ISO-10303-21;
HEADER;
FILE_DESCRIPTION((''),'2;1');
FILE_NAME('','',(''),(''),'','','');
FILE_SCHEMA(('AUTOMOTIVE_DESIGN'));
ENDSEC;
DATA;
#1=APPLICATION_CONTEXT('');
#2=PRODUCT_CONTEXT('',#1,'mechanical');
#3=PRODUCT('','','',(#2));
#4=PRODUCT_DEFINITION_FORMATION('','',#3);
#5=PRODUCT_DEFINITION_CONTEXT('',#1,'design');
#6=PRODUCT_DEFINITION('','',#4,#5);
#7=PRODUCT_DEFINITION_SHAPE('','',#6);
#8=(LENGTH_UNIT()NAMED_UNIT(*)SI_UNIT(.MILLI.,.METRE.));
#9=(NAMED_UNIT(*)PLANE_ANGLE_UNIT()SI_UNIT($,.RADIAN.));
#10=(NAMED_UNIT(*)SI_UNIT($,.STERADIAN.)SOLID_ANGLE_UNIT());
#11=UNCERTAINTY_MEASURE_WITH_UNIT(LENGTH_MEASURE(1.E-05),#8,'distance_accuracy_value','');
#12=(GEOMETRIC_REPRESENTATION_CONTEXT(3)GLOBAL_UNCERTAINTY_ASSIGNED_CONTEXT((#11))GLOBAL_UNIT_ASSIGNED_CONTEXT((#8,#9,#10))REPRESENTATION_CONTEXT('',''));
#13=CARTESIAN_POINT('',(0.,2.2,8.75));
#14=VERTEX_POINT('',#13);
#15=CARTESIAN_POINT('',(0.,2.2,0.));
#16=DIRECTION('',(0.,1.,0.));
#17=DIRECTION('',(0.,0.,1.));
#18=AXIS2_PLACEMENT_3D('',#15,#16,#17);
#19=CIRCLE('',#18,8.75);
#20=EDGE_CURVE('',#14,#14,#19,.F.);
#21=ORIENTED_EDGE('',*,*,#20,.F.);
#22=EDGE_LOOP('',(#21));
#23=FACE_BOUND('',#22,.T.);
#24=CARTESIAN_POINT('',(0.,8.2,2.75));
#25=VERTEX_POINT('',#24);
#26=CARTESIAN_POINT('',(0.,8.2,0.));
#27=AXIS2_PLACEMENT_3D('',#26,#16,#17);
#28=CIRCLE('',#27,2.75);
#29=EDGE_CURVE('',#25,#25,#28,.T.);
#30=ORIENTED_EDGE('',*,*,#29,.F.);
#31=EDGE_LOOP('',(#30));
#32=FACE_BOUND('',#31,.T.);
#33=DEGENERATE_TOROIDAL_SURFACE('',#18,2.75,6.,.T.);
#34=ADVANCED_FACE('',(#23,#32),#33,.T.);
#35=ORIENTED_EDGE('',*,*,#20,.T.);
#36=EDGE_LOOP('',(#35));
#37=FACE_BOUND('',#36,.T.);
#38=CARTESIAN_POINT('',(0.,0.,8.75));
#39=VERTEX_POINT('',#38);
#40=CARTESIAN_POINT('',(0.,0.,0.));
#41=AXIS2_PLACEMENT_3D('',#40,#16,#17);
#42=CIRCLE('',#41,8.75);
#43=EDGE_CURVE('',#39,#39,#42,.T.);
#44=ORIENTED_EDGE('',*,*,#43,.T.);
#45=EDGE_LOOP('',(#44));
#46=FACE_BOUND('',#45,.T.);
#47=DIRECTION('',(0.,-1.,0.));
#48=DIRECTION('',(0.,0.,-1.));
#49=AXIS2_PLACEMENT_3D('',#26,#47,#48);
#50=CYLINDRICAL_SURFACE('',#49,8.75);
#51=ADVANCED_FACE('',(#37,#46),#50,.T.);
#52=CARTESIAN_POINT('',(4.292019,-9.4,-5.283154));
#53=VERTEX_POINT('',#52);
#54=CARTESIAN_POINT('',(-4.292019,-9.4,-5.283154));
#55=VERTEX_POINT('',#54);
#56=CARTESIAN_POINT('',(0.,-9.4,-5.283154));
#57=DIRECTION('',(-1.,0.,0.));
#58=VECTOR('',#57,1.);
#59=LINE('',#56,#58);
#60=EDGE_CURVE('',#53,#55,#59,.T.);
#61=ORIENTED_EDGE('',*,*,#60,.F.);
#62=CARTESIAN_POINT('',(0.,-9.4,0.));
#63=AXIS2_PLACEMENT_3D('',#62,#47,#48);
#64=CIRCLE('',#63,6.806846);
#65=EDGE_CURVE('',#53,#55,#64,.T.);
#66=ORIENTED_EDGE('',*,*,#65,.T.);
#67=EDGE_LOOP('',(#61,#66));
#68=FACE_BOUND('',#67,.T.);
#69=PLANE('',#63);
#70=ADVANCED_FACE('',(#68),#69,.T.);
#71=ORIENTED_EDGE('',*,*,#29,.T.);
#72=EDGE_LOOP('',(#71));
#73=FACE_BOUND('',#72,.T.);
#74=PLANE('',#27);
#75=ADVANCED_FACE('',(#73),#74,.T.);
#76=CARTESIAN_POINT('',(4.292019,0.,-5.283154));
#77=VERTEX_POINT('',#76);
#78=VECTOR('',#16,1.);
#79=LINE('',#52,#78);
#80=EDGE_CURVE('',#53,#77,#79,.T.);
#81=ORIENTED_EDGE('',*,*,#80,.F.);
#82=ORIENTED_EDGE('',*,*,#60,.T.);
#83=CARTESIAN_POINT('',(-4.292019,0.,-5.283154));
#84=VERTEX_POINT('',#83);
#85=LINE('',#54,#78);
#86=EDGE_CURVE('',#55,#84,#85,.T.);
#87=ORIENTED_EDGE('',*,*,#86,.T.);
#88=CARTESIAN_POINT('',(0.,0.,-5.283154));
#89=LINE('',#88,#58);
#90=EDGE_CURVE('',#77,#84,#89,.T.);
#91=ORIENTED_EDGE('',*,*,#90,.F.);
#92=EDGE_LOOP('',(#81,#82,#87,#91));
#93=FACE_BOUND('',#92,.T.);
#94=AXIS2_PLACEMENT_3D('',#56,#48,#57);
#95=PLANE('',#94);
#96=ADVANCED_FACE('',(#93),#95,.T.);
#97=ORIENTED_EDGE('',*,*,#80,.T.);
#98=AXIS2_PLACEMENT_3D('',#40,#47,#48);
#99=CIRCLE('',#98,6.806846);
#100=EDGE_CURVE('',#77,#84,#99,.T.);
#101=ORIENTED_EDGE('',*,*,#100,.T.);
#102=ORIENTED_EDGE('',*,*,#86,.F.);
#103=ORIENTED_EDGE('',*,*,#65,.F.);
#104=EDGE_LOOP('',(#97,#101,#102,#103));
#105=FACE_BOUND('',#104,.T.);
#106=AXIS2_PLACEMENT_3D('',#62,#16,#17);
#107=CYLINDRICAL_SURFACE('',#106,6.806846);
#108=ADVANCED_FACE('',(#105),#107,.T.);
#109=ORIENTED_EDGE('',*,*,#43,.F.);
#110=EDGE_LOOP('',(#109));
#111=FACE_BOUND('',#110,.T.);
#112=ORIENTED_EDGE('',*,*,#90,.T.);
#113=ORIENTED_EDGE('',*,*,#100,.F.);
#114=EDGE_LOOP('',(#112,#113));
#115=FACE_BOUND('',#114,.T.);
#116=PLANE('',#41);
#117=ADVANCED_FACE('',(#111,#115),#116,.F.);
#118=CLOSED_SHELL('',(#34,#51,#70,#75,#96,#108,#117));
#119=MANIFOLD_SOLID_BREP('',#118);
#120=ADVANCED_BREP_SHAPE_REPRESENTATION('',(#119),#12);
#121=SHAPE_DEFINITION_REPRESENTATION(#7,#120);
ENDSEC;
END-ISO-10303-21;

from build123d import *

# Parameters (mm, degrees)
SKETCH1_R           = 8.75
BOSS_EXTRUDE1_DEPTH = 8.2
FILLET1_R           = 6
BOSS_EXTRUDE2_DEPTH = 9.4


with BuildPart() as part:
    # Sketch1 → Boss-Extrude1 (new body)
    with BuildSketch(Plane(origin=(0, 0, 0), x_dir=(1, 0, 0), z_dir=(0, 1, 0))):
        Circle(SKETCH1_R)
    extrude(amount=BOSS_EXTRUDE1_DEPTH)

    # Fillet1
    fillet1_edges = [part.edges().sort_by_distance(p)[0] for p in [
        (-8.75, 8.2, 0),
    ]]
    fillet(fillet1_edges, radius=FILLET1_R)

    # Sketch2 → Boss-Extrude2 (add)
    with BuildSketch(Plane.XZ):
        with BuildLine():
            ThreePointArc((4.292019342, -5.283154258), (6.146066324, -2.925579889), (6.806845742, 0))
            ThreePointArc((6.806845742, 0), (1.4e-08, 6.806845742), (-6.806845742, 2.9e-08))
            ThreePointArc((-6.806845742, 2.9e-08), (-6.146066331, -2.925579876), (-4.292019342, -5.283154258))
            Line((-4.292019342, -5.283154258), (4.292019342, -5.283154258))
        make_face()
    extrude(amount=BOSS_EXTRUDE2_DEPTH)


solid = part.part
